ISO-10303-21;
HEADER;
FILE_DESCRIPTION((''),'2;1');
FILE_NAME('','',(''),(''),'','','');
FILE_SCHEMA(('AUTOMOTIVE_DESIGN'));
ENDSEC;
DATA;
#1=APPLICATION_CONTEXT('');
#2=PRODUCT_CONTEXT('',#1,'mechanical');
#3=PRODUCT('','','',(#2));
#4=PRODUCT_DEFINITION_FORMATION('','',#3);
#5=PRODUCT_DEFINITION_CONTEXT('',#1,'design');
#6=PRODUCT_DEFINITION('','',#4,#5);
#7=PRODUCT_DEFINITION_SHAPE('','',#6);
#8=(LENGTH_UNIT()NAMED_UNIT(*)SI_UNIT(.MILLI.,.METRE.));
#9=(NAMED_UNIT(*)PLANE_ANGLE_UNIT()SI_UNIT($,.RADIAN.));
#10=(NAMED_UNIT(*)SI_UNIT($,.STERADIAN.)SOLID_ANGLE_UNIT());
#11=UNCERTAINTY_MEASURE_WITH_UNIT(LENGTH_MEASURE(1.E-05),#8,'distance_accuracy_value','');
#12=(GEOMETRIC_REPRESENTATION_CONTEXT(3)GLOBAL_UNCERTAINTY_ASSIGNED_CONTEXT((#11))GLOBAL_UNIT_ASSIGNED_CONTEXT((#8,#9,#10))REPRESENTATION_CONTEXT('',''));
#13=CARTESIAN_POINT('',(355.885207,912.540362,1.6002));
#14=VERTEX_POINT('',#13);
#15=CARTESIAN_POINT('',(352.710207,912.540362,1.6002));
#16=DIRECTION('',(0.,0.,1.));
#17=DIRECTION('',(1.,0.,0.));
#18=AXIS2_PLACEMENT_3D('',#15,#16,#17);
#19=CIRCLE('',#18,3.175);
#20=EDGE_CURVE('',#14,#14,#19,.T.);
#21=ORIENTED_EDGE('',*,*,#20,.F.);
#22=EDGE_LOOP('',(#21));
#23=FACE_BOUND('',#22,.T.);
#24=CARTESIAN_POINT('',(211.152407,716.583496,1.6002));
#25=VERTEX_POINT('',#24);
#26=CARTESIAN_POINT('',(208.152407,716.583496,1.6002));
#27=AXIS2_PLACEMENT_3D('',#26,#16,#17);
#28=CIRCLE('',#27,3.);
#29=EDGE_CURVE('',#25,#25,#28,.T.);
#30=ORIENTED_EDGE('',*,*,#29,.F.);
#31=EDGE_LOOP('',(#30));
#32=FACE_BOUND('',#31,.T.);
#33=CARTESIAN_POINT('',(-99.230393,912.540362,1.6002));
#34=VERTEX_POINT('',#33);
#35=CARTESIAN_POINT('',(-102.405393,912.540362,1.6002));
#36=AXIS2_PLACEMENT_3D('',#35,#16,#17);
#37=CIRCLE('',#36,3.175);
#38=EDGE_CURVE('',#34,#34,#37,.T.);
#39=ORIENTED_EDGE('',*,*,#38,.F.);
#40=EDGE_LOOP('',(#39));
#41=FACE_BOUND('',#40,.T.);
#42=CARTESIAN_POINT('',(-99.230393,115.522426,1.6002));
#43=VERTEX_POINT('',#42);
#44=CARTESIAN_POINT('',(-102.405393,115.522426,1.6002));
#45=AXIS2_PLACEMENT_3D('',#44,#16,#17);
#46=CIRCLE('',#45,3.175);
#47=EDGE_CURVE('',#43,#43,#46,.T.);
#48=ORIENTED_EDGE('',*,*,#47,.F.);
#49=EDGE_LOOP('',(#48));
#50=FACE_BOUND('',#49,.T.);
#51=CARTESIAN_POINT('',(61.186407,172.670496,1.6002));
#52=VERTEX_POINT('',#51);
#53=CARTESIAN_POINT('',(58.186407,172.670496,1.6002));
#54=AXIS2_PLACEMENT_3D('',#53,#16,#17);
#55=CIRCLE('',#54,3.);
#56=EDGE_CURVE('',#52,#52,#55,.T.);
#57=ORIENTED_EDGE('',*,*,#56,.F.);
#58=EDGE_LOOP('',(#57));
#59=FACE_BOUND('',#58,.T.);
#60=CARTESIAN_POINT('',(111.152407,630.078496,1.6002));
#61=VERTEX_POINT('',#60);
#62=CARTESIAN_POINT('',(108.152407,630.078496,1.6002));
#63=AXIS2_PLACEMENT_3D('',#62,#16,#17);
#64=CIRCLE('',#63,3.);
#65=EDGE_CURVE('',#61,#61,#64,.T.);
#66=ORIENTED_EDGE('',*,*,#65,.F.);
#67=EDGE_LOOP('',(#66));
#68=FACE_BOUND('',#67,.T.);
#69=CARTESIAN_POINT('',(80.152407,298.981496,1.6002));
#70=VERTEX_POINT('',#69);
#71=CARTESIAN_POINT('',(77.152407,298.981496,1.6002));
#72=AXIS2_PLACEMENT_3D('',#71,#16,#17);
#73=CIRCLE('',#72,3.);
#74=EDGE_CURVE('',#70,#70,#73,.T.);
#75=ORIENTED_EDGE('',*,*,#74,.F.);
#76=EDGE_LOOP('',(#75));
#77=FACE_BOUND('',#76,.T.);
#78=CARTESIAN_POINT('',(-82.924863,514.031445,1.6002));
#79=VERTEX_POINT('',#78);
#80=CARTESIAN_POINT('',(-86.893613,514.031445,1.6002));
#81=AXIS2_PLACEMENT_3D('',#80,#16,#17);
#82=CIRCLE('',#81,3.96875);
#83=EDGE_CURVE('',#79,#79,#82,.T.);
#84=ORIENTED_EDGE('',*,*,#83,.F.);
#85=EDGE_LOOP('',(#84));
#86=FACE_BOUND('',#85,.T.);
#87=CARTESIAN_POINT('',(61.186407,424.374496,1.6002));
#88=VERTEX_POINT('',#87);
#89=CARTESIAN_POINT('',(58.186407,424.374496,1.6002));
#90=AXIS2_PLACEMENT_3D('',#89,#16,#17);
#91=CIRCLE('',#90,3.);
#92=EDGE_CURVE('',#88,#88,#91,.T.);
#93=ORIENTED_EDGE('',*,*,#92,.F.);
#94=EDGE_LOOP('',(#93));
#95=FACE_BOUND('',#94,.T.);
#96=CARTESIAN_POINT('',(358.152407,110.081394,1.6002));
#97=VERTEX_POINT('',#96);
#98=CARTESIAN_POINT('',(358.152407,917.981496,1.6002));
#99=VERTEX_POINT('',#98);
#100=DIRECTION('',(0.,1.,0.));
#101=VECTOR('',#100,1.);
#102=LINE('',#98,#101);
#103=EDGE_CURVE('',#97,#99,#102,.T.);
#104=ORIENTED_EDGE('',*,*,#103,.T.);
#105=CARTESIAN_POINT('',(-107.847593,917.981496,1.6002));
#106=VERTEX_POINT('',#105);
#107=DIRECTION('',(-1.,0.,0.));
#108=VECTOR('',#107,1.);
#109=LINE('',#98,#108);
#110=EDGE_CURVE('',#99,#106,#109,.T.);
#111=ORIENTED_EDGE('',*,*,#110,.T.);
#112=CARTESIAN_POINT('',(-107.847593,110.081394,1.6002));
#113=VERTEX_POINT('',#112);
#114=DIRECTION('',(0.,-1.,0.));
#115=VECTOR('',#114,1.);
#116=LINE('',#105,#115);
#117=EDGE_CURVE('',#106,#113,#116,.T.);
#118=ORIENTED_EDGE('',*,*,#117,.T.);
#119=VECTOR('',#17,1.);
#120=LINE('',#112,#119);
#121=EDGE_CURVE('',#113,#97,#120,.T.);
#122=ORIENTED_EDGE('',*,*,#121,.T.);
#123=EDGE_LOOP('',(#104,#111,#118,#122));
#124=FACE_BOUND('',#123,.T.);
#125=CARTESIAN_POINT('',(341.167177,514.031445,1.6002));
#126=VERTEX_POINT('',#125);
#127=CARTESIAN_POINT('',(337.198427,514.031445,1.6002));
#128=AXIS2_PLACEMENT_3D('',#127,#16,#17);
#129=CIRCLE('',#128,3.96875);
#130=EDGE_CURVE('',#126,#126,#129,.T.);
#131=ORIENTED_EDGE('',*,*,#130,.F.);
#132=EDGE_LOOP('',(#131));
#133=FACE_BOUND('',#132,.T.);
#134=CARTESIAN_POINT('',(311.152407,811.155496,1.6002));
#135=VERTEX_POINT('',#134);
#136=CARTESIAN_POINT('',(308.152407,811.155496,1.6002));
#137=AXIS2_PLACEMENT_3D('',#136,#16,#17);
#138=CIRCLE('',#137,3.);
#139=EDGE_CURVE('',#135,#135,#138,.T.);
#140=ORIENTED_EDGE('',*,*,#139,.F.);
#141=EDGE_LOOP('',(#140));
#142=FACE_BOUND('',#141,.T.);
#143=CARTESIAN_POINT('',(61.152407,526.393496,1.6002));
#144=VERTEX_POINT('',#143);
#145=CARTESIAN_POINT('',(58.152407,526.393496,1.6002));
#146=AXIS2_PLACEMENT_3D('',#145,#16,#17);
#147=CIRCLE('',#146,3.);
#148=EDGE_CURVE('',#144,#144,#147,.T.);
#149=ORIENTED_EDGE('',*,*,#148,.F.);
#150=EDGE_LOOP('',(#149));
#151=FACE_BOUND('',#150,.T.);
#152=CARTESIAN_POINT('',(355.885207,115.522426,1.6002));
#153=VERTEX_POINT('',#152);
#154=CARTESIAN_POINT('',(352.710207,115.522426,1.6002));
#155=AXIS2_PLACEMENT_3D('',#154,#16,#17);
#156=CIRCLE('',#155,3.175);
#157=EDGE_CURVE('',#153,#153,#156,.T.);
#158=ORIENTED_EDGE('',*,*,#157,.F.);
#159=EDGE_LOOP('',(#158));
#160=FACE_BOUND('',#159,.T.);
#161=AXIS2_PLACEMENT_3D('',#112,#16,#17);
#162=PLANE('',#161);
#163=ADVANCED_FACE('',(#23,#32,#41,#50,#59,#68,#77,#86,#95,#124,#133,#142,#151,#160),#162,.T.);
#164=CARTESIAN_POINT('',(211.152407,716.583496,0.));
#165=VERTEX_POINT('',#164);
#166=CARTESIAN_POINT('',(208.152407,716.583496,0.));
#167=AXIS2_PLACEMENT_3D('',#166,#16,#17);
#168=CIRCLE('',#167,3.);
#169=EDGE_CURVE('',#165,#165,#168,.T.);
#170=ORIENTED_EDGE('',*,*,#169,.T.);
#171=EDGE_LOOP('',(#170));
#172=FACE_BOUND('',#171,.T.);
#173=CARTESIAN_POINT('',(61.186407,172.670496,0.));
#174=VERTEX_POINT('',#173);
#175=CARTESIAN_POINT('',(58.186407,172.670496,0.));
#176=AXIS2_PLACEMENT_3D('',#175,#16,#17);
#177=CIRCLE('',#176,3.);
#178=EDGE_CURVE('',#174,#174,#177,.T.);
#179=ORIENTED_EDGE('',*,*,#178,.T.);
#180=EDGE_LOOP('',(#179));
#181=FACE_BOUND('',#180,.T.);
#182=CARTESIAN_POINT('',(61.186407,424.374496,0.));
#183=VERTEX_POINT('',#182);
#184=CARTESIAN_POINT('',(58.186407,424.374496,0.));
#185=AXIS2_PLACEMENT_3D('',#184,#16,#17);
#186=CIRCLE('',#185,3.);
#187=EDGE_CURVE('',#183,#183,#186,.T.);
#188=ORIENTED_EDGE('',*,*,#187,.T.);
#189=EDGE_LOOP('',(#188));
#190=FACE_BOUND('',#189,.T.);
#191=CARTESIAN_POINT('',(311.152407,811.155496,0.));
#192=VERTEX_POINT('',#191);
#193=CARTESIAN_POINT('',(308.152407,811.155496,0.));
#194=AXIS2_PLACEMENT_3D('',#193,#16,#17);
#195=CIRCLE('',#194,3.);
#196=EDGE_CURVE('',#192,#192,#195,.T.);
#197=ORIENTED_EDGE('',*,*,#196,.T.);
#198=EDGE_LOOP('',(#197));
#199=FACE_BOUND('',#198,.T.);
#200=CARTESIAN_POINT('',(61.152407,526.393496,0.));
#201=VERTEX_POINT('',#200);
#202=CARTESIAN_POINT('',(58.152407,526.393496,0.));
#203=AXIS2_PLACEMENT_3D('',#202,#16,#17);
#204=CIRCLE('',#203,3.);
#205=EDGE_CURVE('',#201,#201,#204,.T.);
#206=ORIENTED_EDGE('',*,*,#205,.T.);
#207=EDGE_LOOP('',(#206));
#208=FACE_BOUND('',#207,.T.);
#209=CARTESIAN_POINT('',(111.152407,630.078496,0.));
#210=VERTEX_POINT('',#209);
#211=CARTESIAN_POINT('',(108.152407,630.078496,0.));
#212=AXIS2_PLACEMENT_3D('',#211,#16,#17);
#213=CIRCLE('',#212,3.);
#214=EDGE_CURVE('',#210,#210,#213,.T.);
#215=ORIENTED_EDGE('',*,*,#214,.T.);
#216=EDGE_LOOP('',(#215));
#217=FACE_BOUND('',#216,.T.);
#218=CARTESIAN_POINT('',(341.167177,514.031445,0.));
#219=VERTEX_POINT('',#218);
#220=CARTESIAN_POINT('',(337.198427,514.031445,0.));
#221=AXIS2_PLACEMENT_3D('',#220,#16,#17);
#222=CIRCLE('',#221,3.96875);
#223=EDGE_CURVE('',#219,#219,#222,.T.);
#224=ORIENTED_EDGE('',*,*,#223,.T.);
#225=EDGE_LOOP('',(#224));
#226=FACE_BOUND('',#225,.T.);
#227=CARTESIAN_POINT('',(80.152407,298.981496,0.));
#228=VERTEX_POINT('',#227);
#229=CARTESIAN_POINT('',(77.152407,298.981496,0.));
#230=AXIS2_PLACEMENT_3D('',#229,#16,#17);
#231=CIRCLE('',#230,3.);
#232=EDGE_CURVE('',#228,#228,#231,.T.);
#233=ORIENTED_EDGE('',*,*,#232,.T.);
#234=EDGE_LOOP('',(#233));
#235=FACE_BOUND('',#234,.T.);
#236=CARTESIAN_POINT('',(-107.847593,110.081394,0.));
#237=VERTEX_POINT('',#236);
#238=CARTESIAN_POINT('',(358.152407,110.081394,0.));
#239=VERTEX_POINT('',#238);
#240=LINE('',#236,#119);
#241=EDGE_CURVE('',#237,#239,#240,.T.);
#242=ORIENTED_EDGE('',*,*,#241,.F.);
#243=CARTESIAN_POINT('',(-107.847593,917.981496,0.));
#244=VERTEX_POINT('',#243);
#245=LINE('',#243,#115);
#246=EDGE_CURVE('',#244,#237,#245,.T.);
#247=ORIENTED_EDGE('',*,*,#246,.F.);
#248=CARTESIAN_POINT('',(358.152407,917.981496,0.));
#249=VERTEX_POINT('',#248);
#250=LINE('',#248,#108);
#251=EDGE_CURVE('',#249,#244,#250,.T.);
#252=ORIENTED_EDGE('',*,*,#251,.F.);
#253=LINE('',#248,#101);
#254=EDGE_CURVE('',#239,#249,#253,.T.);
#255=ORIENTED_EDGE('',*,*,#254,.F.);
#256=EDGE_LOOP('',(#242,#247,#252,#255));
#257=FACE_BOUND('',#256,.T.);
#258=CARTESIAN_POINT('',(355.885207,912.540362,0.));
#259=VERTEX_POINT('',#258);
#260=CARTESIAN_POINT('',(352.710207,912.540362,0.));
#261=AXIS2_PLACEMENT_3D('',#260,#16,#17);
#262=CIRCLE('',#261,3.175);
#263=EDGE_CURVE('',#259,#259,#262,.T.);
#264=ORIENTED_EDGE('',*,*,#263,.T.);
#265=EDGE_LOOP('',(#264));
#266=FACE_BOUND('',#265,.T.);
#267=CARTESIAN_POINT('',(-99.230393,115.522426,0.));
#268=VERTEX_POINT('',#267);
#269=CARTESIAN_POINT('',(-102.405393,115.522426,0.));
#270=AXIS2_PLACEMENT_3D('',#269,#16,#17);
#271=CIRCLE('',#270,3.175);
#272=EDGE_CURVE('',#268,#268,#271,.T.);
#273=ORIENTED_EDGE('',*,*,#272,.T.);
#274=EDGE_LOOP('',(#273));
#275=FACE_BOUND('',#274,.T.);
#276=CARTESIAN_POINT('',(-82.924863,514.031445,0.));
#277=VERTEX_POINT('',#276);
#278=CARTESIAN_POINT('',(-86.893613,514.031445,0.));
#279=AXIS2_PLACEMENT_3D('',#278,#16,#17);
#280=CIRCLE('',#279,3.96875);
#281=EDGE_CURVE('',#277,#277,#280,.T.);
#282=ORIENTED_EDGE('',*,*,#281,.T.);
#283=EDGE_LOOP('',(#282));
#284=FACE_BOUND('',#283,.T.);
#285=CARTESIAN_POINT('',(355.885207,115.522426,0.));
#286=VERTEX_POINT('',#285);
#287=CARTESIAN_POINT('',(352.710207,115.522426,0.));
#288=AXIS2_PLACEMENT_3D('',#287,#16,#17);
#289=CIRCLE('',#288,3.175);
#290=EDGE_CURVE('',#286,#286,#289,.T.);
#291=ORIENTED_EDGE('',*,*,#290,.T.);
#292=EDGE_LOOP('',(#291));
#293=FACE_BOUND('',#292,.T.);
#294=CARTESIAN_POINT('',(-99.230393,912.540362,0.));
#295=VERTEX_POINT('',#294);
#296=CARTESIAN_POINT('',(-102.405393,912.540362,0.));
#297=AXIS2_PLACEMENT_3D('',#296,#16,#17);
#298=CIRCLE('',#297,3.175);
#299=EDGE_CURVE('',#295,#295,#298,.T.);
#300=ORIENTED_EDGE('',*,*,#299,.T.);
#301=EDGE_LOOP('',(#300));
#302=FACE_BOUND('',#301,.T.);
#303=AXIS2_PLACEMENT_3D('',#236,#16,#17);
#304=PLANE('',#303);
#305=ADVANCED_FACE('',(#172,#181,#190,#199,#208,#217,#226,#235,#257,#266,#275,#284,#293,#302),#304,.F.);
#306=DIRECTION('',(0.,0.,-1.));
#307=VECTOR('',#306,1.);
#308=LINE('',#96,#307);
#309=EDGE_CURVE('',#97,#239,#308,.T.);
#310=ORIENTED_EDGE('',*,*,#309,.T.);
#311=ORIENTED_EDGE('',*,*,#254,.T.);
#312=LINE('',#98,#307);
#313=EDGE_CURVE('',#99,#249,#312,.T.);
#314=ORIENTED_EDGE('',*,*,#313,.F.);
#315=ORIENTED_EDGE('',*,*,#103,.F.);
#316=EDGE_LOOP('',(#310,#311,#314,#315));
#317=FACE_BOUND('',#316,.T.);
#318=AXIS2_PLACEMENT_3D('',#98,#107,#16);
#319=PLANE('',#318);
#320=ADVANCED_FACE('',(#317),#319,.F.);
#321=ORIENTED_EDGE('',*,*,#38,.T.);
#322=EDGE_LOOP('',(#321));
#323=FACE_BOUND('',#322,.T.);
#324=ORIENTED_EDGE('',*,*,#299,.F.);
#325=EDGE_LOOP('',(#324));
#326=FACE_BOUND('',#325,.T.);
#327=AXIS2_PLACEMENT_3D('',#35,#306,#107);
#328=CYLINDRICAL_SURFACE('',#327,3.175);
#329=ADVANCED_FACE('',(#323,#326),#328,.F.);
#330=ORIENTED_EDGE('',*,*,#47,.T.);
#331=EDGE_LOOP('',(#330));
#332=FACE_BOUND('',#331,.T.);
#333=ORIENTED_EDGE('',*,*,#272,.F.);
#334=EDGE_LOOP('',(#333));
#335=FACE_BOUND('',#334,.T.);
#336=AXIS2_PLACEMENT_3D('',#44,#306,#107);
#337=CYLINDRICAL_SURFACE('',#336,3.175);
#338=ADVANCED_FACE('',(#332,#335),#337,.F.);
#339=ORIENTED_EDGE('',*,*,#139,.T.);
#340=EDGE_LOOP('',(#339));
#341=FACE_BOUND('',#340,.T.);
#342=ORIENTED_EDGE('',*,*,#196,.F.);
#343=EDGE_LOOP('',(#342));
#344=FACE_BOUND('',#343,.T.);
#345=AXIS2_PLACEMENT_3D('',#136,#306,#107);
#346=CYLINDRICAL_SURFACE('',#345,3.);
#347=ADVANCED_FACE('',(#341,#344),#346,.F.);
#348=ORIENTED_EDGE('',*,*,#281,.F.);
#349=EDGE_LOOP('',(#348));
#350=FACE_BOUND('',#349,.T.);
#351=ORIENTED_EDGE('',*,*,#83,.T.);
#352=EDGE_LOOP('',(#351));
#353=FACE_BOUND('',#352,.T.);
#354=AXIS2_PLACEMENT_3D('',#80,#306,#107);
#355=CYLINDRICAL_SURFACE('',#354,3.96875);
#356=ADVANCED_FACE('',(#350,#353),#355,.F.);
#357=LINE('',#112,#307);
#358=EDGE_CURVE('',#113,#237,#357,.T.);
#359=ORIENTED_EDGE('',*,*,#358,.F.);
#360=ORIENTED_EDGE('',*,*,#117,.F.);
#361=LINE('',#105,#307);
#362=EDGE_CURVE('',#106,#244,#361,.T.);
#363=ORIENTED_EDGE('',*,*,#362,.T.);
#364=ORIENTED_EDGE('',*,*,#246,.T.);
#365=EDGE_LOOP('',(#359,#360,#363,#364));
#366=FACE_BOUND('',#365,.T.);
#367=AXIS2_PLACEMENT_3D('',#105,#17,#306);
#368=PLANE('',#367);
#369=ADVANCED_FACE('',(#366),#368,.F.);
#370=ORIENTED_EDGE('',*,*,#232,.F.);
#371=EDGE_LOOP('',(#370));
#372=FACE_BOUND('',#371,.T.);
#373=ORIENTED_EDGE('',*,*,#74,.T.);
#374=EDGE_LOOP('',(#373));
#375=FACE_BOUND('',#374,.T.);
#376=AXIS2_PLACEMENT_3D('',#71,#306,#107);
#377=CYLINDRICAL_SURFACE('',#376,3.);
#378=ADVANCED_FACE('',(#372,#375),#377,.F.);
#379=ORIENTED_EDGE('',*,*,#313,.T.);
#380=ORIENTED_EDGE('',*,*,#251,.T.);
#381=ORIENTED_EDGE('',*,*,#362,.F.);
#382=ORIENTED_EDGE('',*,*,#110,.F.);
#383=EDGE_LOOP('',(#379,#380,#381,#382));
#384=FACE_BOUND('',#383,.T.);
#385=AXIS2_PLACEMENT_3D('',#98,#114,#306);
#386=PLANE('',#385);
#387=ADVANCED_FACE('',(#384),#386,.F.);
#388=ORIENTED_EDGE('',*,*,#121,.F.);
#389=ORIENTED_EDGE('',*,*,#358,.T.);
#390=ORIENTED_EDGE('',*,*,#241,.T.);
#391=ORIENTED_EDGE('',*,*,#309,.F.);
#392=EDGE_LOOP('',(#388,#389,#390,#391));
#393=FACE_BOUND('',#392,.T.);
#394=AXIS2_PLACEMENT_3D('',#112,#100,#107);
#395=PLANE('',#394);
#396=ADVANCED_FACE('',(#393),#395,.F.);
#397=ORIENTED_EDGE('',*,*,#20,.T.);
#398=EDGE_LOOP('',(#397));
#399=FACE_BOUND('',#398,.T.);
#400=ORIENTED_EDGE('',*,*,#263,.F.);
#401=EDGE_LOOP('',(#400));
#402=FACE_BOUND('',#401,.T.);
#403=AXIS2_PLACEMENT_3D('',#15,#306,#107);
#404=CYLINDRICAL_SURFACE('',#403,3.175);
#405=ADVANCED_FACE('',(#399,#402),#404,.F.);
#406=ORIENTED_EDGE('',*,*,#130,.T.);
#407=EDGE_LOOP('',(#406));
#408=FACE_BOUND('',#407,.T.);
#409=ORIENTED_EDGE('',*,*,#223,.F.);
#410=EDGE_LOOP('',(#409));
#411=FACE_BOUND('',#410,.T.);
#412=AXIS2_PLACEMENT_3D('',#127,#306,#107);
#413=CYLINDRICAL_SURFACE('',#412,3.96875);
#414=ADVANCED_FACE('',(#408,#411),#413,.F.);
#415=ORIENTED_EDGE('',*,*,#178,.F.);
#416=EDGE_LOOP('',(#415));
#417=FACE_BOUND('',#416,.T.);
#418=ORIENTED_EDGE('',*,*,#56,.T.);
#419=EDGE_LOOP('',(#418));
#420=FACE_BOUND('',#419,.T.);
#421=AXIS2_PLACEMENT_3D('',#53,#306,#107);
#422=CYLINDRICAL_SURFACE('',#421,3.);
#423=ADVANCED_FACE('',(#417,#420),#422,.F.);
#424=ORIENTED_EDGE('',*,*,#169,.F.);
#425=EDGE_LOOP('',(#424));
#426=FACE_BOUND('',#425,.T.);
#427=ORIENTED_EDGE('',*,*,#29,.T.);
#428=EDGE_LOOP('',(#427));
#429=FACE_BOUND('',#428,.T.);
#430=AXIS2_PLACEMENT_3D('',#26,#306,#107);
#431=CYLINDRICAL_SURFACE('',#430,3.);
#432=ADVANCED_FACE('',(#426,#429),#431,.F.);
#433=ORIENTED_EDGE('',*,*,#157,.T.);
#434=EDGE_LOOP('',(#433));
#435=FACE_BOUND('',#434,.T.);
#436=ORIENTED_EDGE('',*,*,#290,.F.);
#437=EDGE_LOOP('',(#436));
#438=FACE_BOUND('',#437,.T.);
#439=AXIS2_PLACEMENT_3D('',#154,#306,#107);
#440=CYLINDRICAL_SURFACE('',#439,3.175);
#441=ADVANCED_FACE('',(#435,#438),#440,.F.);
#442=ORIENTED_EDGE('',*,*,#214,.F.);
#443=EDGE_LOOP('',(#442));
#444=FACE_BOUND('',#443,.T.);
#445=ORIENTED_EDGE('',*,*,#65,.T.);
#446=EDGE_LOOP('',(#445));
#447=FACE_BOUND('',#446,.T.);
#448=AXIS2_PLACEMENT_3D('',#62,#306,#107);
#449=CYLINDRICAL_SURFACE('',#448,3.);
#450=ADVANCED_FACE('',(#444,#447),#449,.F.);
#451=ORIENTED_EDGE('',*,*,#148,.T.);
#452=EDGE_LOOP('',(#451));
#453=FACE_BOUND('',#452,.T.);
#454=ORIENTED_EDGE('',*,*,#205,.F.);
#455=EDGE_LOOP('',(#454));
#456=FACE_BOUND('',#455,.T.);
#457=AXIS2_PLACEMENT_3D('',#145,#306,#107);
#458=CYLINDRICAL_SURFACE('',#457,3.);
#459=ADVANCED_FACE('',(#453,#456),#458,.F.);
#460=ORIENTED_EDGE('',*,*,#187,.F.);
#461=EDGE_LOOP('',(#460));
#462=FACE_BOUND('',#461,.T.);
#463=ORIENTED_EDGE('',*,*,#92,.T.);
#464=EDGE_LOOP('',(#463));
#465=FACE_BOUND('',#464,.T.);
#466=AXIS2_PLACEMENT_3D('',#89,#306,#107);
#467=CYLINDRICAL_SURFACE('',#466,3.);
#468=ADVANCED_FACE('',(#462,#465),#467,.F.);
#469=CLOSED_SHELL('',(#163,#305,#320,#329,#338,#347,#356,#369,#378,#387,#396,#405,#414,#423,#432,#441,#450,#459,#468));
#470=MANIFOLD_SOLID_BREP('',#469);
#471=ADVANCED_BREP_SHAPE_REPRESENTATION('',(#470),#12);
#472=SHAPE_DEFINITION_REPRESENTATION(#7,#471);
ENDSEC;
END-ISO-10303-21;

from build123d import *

# Parameters (mm, degrees)
SKETCH1_W           = 466
SKETCH1_H           = 807.900101531
SKETCH1_R           = 3.175
SKETCH1_R_2         = 3.96875
SKETCH1_R_3         = 3
BOSS_EXTRUDE1_DEPTH = 1.6002


with BuildPart() as part:
    # Sketch1 → Boss-Extrude1 (new body)
    with BuildSketch(Plane.XY):
        with Locations((125.152406859, 514.031444865)):
            Rectangle(SKETCH1_W, SKETCH1_H)
        with Locations((-102.405393141, 115.522426029)):
            Circle(SKETCH1_R, mode=Mode.SUBTRACT)
        with Locations((352.710206859, 115.522426029)):
            Circle(SKETCH1_R, mode=Mode.SUBTRACT)
        with Locations((-102.405393141, 912.54036218)):
            Circle(SKETCH1_R, mode=Mode.SUBTRACT)
        with Locations((352.710206859, 912.54036218)):
            Circle(SKETCH1_R, mode=Mode.SUBTRACT)
        with Locations((-86.893613141, 514.031444864)):
            Circle(SKETCH1_R_2, mode=Mode.SUBTRACT)
        with Locations((337.198426859, 514.031444864)):
            Circle(SKETCH1_R_2, mode=Mode.SUBTRACT)
        with Locations((308.152406859, 811.15549563)):
            Circle(SKETCH1_R_3, mode=Mode.SUBTRACT)
        with Locations((208.152406859, 716.58349563)):
            Circle(SKETCH1_R_3, mode=Mode.SUBTRACT)
        with Locations((108.152406859, 630.07849563)):
            Circle(SKETCH1_R_3, mode=Mode.SUBTRACT)
        with Locations((58.152406859, 526.39349563)):
            Circle(SKETCH1_R_3, mode=Mode.SUBTRACT)
        with Locations((77.152406859, 298.98149563)):
            Circle(SKETCH1_R_3, mode=Mode.SUBTRACT)
        with Locations((58.186406859, 172.67049563)):
            Circle(SKETCH1_R_3, mode=Mode.SUBTRACT)
        with Locations((58.186406859, 424.37449563)):
            Circle(SKETCH1_R_3, mode=Mode.SUBTRACT)
    extrude(amount=BOSS_EXTRUDE1_DEPTH)


solid = part.part
